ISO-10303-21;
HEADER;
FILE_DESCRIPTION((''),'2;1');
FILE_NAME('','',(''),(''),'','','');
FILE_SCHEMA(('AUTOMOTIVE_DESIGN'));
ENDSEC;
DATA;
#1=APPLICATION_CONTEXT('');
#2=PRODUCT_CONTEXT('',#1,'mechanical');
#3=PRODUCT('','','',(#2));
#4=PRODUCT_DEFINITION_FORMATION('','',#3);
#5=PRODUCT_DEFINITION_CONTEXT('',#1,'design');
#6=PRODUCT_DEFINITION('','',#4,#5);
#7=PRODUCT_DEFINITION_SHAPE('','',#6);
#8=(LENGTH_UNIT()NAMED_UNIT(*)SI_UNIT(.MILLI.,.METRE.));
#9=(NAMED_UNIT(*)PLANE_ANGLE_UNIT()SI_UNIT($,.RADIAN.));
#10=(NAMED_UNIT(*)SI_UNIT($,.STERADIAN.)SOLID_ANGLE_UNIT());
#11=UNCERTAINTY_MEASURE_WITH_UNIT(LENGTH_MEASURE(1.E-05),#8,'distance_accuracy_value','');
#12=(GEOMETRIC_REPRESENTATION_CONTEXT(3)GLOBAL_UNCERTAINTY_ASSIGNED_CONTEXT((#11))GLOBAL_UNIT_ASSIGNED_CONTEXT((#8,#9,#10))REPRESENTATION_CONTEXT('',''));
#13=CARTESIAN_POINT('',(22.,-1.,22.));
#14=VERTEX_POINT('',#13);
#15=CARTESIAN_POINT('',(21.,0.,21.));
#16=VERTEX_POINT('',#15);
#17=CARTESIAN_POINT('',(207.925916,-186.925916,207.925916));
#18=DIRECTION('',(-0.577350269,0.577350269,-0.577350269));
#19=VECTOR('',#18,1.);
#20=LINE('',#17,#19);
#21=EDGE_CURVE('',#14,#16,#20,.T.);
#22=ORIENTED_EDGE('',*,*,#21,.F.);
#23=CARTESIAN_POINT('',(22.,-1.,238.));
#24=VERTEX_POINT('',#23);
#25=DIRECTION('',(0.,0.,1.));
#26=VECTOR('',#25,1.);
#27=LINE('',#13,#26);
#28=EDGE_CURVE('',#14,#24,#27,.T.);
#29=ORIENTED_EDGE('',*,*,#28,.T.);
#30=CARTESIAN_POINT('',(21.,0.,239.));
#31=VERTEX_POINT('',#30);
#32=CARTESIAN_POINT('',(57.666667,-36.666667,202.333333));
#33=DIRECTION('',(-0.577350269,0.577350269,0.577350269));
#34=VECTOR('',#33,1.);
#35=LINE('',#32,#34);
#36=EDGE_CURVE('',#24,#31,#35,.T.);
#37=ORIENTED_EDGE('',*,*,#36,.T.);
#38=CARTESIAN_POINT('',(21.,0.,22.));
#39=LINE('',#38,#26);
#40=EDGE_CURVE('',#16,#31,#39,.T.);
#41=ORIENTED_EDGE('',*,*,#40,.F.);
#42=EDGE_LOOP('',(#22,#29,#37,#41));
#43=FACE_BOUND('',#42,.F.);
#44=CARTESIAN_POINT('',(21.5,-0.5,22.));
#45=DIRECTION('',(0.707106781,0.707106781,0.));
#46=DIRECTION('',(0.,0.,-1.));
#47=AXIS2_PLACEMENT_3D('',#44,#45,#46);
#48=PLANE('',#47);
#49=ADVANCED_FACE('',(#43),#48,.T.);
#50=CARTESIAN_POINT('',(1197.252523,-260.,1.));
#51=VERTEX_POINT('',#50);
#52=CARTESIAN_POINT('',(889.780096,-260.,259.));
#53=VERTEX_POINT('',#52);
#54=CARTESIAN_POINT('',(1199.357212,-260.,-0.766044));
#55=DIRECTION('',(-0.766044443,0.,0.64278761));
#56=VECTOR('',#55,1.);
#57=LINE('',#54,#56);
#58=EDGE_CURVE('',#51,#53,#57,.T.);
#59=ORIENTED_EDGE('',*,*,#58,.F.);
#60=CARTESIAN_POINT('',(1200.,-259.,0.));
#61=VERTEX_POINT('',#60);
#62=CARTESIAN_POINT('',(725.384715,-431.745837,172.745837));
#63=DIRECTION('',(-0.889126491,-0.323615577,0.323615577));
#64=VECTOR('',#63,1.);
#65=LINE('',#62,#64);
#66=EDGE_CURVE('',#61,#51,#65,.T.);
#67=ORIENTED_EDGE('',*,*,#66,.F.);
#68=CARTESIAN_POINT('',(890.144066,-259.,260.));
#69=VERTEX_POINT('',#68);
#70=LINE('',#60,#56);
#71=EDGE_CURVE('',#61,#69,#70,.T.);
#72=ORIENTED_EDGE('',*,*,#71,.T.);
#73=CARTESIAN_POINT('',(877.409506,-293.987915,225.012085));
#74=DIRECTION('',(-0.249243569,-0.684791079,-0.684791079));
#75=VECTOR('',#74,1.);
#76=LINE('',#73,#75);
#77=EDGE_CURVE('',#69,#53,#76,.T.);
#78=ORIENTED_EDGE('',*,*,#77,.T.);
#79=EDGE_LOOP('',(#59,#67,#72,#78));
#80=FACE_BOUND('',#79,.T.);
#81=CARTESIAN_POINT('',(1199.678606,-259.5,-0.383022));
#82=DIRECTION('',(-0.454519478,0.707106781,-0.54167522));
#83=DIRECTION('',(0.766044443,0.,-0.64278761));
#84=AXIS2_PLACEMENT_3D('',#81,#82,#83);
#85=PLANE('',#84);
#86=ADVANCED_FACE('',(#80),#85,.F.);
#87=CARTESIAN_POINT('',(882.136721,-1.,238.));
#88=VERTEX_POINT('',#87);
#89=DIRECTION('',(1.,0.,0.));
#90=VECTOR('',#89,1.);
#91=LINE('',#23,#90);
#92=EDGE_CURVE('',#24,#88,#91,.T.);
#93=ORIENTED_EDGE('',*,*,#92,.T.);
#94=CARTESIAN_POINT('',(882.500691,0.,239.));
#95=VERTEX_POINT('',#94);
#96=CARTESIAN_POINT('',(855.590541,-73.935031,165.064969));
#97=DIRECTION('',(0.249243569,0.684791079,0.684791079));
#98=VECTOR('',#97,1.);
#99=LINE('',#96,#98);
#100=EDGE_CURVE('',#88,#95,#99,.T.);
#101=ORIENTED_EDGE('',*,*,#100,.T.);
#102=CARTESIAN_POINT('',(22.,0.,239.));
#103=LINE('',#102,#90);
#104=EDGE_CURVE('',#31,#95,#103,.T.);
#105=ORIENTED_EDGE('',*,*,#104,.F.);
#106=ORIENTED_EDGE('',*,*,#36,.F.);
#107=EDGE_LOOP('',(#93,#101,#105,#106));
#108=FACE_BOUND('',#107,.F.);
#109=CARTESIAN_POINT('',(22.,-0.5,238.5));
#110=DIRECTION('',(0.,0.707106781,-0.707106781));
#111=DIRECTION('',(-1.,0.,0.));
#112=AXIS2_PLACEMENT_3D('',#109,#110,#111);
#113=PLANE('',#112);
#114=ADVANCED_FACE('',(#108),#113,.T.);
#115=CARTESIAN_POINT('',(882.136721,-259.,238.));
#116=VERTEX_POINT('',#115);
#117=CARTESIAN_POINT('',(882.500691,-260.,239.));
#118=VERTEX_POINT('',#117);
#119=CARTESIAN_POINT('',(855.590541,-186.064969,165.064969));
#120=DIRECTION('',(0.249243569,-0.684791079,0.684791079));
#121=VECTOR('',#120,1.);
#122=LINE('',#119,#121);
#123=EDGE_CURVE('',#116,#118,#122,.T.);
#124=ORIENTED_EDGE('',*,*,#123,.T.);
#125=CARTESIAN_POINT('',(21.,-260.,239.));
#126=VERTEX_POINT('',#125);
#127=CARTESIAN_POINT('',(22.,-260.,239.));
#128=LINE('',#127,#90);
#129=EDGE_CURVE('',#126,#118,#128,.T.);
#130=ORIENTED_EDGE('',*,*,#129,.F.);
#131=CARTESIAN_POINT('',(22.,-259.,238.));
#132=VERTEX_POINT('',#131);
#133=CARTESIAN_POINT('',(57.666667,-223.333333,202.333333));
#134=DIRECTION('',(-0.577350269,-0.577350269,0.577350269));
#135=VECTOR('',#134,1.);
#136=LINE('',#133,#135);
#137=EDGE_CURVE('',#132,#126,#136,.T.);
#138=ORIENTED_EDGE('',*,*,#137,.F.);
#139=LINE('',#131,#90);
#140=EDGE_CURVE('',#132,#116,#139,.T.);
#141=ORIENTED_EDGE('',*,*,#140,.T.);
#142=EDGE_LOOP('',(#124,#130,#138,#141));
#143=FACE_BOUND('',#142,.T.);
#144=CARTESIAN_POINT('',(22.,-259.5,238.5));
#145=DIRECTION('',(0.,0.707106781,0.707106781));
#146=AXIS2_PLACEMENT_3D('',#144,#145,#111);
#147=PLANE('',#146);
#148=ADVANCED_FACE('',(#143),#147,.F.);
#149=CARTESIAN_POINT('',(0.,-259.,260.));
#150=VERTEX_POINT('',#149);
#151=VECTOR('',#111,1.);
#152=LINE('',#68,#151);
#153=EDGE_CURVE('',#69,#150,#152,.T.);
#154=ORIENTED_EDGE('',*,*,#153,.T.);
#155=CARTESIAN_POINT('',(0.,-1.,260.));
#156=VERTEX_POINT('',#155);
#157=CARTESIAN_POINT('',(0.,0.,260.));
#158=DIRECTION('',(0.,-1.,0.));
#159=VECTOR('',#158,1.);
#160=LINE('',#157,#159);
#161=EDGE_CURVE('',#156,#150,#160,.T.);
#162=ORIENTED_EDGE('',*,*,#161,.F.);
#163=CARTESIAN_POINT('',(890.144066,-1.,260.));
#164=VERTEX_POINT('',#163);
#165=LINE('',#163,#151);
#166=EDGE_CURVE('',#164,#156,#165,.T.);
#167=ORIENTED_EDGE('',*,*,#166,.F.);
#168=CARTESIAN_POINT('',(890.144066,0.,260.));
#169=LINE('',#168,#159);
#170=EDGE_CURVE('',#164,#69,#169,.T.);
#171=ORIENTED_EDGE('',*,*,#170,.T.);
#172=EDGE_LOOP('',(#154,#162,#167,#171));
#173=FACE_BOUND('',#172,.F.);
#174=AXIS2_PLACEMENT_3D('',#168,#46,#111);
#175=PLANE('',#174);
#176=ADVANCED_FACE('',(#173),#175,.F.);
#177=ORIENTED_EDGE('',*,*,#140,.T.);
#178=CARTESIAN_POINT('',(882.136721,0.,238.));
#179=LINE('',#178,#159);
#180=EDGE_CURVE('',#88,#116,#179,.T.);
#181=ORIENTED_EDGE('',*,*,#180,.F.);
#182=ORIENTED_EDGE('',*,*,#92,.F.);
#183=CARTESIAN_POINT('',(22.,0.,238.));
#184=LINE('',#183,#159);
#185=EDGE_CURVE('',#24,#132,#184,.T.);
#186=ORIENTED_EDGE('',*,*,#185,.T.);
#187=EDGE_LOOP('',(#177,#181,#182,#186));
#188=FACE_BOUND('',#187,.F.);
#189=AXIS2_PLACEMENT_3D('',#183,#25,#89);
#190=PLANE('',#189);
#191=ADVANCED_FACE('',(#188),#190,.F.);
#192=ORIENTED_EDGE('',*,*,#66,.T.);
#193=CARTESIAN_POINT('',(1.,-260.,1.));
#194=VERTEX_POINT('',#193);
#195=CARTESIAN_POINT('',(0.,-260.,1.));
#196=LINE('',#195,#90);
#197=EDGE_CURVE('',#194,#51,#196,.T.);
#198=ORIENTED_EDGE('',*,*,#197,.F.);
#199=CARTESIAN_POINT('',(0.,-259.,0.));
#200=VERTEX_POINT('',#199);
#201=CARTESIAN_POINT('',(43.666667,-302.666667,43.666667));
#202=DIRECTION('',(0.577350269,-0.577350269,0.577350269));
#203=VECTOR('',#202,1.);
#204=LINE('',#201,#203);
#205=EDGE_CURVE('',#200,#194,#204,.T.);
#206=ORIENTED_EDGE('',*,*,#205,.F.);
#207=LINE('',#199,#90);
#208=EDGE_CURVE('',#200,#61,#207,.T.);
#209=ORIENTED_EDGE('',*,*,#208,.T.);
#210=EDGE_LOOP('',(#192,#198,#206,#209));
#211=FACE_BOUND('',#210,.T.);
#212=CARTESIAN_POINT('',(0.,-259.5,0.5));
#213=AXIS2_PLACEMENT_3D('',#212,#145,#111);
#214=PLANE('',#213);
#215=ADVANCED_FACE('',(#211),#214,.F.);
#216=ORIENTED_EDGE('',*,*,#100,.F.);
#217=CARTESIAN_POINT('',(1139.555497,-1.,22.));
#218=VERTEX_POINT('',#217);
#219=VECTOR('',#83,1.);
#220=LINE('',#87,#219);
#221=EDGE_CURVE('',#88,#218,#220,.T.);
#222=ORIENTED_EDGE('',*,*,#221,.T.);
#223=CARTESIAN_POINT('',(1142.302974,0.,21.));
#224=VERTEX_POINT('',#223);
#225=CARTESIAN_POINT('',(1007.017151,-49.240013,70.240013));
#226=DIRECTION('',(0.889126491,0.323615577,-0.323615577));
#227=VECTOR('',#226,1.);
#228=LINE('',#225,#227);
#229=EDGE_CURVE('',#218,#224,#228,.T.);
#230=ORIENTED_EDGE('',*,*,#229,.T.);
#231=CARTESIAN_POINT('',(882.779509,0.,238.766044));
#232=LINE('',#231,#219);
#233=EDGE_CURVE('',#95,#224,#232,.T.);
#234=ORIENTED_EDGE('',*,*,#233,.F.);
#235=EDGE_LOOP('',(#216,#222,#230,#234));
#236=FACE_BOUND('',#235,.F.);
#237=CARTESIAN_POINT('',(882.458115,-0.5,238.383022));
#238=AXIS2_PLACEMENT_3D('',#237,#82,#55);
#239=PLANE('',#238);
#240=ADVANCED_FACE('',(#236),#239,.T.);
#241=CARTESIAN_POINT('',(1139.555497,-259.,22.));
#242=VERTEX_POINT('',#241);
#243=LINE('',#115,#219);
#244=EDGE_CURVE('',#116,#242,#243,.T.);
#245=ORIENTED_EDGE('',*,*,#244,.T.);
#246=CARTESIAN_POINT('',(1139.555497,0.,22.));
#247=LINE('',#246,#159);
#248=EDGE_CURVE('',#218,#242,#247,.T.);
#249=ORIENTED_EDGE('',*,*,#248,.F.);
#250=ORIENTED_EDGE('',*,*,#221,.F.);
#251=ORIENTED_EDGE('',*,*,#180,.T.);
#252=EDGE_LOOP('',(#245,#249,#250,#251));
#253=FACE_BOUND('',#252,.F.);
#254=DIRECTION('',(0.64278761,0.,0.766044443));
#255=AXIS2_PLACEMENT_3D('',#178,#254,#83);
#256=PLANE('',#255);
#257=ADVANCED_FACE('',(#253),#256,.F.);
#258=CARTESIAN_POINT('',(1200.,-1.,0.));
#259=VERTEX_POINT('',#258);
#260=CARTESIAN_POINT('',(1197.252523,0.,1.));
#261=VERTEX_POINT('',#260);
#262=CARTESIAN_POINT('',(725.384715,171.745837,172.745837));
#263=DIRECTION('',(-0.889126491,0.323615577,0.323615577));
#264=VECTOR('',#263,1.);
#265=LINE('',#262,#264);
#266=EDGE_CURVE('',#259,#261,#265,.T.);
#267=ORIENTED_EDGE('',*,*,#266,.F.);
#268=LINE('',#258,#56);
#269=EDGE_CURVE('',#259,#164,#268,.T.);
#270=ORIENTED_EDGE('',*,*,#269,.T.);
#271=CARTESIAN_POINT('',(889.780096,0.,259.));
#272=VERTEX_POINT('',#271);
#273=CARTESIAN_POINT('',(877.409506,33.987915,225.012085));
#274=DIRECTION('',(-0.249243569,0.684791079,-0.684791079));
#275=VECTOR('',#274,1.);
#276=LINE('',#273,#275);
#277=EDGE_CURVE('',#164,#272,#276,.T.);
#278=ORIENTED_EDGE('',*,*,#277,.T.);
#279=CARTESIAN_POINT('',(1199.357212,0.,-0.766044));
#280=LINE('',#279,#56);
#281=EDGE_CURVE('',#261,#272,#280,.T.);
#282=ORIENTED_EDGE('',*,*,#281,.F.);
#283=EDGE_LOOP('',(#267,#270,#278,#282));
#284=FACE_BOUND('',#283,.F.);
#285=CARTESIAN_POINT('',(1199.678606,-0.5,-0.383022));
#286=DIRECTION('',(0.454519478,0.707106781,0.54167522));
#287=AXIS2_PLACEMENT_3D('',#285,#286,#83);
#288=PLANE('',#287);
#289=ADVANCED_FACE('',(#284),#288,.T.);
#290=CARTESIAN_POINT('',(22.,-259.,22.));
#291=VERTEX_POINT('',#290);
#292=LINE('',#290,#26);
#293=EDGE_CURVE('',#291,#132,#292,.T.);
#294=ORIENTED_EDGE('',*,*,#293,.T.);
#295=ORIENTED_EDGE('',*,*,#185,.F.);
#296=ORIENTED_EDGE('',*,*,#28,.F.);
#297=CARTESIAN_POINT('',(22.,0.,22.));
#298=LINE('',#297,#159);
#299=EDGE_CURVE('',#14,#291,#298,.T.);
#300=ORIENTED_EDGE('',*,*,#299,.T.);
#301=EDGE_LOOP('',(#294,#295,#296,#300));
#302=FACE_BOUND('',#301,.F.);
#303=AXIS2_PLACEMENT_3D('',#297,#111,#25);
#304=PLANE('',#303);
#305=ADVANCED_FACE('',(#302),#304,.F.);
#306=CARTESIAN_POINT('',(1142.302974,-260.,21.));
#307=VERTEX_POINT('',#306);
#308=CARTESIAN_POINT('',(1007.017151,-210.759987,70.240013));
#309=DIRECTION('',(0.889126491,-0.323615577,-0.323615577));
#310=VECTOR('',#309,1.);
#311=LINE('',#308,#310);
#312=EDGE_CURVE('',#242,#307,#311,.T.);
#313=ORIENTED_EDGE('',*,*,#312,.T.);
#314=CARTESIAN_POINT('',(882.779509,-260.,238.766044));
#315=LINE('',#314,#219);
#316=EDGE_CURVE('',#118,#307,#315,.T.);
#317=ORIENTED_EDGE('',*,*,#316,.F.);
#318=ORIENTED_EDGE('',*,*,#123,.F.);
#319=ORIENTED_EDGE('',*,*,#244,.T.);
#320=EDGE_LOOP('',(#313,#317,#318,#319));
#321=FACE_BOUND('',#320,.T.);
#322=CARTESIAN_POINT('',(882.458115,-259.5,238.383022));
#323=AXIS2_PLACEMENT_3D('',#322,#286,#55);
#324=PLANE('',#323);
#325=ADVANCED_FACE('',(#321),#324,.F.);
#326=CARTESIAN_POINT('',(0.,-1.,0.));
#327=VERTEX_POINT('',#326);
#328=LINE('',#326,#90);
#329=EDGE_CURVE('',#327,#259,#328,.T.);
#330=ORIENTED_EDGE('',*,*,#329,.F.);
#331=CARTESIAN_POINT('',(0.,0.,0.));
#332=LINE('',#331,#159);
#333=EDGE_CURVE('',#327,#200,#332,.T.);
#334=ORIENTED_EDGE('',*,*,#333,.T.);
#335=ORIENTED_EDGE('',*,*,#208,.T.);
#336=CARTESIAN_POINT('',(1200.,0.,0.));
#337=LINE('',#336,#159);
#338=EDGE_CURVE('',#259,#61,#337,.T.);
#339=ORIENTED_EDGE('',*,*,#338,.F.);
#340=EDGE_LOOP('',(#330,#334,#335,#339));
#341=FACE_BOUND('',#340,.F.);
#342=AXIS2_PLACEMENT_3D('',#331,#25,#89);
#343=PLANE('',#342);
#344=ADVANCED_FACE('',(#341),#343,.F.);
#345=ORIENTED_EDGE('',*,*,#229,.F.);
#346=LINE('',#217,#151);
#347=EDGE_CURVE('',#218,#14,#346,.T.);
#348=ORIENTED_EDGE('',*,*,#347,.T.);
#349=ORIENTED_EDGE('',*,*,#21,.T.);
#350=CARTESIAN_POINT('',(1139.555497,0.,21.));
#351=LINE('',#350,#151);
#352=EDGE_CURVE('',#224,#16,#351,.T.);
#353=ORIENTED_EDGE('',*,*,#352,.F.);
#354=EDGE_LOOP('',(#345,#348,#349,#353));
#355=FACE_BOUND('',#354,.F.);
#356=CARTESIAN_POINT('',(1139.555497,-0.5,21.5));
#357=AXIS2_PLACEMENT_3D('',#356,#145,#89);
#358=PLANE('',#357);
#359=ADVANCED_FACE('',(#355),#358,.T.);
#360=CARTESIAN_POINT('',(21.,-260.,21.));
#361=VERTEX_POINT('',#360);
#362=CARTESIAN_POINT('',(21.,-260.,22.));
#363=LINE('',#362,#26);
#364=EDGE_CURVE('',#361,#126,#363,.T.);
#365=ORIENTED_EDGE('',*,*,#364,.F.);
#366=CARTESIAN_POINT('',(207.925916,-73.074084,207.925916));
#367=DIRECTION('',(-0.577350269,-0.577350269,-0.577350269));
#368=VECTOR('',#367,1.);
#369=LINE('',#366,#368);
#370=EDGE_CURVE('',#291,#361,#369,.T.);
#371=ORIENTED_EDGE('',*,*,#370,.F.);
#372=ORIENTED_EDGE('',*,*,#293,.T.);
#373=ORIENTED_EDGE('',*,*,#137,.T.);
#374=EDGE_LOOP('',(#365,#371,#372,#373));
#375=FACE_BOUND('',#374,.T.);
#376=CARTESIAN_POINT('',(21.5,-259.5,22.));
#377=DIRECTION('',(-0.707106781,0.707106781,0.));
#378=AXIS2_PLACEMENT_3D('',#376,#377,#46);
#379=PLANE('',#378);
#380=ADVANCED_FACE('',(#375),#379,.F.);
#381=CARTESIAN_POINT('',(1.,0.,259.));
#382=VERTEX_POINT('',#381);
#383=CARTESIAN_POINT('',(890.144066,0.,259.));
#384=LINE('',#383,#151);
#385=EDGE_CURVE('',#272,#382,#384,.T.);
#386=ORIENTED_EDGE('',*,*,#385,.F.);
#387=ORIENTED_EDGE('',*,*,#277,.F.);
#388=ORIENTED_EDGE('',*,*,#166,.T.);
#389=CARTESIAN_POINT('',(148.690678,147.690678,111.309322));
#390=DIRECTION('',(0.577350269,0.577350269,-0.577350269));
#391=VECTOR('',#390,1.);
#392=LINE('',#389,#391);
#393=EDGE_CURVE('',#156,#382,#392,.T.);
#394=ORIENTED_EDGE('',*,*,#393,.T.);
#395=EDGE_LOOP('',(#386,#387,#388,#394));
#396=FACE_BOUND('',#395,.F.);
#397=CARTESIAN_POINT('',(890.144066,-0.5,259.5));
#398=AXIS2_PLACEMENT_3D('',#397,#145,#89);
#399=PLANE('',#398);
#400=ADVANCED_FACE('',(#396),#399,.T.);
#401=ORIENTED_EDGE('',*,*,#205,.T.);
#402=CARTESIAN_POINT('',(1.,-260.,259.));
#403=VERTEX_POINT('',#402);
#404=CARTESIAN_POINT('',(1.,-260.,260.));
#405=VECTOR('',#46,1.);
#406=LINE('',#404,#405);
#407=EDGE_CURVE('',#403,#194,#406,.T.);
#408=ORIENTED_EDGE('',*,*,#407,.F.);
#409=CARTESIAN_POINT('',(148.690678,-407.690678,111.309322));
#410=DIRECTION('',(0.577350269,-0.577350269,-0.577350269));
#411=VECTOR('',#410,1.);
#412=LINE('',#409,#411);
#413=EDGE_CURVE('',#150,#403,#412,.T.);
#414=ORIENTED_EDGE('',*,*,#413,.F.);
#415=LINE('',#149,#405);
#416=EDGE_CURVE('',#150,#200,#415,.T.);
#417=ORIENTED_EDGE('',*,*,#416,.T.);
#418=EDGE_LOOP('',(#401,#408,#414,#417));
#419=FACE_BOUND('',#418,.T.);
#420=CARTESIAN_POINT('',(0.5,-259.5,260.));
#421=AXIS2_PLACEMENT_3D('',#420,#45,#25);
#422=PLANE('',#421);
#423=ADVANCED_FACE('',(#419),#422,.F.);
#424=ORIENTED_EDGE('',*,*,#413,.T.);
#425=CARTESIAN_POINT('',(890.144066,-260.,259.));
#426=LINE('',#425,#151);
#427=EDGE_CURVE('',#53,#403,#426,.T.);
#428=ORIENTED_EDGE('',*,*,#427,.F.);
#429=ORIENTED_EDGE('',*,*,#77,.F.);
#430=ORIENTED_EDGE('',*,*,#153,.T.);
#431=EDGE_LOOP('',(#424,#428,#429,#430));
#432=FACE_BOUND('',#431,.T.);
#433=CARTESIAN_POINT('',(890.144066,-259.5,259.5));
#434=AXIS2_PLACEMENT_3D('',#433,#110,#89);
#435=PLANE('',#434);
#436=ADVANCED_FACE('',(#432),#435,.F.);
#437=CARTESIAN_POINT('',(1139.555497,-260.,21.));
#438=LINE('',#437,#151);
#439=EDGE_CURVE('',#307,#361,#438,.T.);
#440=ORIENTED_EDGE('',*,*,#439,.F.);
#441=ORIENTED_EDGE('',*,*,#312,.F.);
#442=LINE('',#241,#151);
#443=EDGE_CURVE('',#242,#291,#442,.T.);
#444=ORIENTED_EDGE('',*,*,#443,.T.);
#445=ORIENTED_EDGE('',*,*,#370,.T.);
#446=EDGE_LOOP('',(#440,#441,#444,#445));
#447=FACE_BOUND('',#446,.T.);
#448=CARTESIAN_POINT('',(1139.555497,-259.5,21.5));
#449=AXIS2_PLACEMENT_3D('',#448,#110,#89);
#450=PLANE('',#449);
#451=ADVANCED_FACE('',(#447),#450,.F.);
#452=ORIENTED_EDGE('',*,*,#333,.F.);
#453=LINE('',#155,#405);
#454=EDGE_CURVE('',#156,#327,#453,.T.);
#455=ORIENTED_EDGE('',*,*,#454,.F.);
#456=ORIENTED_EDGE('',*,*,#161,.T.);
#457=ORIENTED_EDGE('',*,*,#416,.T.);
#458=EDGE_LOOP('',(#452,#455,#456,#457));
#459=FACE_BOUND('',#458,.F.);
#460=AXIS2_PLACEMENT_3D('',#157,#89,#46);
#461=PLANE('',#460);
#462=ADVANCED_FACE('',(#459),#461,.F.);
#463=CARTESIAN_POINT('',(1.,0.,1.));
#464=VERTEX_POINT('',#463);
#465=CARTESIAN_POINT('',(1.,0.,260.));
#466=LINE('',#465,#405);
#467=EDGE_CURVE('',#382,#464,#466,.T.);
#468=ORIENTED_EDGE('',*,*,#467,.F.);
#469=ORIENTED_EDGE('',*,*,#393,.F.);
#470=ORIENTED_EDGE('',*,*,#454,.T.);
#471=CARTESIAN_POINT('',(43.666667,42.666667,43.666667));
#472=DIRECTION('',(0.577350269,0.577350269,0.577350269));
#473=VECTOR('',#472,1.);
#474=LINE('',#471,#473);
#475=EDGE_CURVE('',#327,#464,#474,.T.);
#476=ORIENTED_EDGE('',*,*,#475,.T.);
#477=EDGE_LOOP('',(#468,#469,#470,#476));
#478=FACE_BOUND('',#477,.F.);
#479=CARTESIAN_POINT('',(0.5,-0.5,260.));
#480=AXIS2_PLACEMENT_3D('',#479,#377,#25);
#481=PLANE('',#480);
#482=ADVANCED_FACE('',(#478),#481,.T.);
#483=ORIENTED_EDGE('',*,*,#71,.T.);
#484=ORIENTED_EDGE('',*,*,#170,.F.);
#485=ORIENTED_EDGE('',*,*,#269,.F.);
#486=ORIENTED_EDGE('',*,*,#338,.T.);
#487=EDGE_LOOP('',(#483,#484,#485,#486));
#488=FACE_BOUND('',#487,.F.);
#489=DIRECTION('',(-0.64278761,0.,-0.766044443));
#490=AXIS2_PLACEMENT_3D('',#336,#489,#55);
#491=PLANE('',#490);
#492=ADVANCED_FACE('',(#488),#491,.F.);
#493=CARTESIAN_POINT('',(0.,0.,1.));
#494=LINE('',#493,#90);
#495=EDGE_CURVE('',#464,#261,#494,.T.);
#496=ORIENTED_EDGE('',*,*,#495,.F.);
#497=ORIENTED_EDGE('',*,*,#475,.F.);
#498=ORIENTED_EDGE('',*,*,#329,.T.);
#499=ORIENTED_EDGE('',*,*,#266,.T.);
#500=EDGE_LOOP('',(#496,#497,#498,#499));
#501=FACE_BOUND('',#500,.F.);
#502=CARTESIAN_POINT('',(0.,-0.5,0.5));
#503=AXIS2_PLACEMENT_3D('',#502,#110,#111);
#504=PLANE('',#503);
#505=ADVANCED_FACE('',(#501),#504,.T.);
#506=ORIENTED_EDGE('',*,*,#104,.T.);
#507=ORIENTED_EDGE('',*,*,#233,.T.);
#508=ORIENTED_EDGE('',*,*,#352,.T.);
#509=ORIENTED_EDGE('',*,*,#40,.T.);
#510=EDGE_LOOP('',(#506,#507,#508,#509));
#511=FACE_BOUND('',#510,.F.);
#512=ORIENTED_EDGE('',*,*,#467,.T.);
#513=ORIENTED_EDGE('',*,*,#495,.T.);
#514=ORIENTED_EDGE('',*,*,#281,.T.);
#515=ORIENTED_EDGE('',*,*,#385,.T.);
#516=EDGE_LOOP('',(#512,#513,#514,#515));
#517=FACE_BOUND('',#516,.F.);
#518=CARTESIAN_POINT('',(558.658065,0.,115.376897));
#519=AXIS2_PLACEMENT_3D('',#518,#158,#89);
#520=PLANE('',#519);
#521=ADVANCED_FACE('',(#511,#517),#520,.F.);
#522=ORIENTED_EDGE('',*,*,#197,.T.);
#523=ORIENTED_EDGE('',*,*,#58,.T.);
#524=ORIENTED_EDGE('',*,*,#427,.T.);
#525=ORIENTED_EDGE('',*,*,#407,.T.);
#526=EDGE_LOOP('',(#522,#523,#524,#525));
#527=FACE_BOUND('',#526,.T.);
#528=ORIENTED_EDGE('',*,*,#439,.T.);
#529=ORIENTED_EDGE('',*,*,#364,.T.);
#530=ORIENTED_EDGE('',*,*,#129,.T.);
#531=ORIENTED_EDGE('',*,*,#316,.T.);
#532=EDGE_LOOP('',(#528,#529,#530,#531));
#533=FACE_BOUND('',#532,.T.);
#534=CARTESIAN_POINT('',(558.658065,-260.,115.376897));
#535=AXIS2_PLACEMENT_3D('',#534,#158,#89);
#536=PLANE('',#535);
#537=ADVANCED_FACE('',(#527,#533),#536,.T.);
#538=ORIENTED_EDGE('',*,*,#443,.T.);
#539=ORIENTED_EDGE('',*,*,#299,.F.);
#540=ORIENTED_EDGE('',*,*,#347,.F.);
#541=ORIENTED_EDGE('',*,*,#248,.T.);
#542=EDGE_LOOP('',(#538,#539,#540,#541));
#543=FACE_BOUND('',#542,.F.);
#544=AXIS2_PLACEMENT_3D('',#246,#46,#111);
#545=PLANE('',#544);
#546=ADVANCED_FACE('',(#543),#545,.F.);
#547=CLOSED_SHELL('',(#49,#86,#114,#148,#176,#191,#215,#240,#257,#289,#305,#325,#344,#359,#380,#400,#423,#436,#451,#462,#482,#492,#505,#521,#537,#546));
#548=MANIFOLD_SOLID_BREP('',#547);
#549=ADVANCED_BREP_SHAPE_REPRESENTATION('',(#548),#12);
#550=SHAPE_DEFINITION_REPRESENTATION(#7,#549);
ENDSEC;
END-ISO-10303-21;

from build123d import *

# Parameters (mm, degrees)
F1_DEPTH = 260
F2_SIZE  = 1


with BuildPart() as f1:
    # F0 (on Front) → F1 (new body)
    with BuildSketch(Plane.XZ):
        Polygon((0, 260), (0, 0), (1200, 0), (890.144066, 260), align=None)
        Polygon((22, 22), (22, 238), (882.136721, 238), (1139.555497, 22), align=None, mode=Mode.SUBTRACT)
    extrude(amount=F1_DEPTH)

    # F2
    f2_edges = [f1.edges().sort_by_distance(p)[0] for p in [
        (445.072033, -260, 260),
        (452.06836, -260, 238),
        (580.777748, -260, 22),
        (600, -260, 0),
        (0, -260, 130),
        (22, -260, 130),
        (1045.072033, -260, 130),
        (1010.846109, -260, 130),
        (580.777748, 0, 22),
        (445.072033, 0, 260),
        (1045.072033, 0, 130),
        (1010.846109, 0, 130),
        (452.06836, 0, 238),
        (0, 0, 130),
        (22, 0, 130),
        (600, 0, 0),
    ]]
    chamfer(f2_edges, length=F2_SIZE)


solid = f1.part
